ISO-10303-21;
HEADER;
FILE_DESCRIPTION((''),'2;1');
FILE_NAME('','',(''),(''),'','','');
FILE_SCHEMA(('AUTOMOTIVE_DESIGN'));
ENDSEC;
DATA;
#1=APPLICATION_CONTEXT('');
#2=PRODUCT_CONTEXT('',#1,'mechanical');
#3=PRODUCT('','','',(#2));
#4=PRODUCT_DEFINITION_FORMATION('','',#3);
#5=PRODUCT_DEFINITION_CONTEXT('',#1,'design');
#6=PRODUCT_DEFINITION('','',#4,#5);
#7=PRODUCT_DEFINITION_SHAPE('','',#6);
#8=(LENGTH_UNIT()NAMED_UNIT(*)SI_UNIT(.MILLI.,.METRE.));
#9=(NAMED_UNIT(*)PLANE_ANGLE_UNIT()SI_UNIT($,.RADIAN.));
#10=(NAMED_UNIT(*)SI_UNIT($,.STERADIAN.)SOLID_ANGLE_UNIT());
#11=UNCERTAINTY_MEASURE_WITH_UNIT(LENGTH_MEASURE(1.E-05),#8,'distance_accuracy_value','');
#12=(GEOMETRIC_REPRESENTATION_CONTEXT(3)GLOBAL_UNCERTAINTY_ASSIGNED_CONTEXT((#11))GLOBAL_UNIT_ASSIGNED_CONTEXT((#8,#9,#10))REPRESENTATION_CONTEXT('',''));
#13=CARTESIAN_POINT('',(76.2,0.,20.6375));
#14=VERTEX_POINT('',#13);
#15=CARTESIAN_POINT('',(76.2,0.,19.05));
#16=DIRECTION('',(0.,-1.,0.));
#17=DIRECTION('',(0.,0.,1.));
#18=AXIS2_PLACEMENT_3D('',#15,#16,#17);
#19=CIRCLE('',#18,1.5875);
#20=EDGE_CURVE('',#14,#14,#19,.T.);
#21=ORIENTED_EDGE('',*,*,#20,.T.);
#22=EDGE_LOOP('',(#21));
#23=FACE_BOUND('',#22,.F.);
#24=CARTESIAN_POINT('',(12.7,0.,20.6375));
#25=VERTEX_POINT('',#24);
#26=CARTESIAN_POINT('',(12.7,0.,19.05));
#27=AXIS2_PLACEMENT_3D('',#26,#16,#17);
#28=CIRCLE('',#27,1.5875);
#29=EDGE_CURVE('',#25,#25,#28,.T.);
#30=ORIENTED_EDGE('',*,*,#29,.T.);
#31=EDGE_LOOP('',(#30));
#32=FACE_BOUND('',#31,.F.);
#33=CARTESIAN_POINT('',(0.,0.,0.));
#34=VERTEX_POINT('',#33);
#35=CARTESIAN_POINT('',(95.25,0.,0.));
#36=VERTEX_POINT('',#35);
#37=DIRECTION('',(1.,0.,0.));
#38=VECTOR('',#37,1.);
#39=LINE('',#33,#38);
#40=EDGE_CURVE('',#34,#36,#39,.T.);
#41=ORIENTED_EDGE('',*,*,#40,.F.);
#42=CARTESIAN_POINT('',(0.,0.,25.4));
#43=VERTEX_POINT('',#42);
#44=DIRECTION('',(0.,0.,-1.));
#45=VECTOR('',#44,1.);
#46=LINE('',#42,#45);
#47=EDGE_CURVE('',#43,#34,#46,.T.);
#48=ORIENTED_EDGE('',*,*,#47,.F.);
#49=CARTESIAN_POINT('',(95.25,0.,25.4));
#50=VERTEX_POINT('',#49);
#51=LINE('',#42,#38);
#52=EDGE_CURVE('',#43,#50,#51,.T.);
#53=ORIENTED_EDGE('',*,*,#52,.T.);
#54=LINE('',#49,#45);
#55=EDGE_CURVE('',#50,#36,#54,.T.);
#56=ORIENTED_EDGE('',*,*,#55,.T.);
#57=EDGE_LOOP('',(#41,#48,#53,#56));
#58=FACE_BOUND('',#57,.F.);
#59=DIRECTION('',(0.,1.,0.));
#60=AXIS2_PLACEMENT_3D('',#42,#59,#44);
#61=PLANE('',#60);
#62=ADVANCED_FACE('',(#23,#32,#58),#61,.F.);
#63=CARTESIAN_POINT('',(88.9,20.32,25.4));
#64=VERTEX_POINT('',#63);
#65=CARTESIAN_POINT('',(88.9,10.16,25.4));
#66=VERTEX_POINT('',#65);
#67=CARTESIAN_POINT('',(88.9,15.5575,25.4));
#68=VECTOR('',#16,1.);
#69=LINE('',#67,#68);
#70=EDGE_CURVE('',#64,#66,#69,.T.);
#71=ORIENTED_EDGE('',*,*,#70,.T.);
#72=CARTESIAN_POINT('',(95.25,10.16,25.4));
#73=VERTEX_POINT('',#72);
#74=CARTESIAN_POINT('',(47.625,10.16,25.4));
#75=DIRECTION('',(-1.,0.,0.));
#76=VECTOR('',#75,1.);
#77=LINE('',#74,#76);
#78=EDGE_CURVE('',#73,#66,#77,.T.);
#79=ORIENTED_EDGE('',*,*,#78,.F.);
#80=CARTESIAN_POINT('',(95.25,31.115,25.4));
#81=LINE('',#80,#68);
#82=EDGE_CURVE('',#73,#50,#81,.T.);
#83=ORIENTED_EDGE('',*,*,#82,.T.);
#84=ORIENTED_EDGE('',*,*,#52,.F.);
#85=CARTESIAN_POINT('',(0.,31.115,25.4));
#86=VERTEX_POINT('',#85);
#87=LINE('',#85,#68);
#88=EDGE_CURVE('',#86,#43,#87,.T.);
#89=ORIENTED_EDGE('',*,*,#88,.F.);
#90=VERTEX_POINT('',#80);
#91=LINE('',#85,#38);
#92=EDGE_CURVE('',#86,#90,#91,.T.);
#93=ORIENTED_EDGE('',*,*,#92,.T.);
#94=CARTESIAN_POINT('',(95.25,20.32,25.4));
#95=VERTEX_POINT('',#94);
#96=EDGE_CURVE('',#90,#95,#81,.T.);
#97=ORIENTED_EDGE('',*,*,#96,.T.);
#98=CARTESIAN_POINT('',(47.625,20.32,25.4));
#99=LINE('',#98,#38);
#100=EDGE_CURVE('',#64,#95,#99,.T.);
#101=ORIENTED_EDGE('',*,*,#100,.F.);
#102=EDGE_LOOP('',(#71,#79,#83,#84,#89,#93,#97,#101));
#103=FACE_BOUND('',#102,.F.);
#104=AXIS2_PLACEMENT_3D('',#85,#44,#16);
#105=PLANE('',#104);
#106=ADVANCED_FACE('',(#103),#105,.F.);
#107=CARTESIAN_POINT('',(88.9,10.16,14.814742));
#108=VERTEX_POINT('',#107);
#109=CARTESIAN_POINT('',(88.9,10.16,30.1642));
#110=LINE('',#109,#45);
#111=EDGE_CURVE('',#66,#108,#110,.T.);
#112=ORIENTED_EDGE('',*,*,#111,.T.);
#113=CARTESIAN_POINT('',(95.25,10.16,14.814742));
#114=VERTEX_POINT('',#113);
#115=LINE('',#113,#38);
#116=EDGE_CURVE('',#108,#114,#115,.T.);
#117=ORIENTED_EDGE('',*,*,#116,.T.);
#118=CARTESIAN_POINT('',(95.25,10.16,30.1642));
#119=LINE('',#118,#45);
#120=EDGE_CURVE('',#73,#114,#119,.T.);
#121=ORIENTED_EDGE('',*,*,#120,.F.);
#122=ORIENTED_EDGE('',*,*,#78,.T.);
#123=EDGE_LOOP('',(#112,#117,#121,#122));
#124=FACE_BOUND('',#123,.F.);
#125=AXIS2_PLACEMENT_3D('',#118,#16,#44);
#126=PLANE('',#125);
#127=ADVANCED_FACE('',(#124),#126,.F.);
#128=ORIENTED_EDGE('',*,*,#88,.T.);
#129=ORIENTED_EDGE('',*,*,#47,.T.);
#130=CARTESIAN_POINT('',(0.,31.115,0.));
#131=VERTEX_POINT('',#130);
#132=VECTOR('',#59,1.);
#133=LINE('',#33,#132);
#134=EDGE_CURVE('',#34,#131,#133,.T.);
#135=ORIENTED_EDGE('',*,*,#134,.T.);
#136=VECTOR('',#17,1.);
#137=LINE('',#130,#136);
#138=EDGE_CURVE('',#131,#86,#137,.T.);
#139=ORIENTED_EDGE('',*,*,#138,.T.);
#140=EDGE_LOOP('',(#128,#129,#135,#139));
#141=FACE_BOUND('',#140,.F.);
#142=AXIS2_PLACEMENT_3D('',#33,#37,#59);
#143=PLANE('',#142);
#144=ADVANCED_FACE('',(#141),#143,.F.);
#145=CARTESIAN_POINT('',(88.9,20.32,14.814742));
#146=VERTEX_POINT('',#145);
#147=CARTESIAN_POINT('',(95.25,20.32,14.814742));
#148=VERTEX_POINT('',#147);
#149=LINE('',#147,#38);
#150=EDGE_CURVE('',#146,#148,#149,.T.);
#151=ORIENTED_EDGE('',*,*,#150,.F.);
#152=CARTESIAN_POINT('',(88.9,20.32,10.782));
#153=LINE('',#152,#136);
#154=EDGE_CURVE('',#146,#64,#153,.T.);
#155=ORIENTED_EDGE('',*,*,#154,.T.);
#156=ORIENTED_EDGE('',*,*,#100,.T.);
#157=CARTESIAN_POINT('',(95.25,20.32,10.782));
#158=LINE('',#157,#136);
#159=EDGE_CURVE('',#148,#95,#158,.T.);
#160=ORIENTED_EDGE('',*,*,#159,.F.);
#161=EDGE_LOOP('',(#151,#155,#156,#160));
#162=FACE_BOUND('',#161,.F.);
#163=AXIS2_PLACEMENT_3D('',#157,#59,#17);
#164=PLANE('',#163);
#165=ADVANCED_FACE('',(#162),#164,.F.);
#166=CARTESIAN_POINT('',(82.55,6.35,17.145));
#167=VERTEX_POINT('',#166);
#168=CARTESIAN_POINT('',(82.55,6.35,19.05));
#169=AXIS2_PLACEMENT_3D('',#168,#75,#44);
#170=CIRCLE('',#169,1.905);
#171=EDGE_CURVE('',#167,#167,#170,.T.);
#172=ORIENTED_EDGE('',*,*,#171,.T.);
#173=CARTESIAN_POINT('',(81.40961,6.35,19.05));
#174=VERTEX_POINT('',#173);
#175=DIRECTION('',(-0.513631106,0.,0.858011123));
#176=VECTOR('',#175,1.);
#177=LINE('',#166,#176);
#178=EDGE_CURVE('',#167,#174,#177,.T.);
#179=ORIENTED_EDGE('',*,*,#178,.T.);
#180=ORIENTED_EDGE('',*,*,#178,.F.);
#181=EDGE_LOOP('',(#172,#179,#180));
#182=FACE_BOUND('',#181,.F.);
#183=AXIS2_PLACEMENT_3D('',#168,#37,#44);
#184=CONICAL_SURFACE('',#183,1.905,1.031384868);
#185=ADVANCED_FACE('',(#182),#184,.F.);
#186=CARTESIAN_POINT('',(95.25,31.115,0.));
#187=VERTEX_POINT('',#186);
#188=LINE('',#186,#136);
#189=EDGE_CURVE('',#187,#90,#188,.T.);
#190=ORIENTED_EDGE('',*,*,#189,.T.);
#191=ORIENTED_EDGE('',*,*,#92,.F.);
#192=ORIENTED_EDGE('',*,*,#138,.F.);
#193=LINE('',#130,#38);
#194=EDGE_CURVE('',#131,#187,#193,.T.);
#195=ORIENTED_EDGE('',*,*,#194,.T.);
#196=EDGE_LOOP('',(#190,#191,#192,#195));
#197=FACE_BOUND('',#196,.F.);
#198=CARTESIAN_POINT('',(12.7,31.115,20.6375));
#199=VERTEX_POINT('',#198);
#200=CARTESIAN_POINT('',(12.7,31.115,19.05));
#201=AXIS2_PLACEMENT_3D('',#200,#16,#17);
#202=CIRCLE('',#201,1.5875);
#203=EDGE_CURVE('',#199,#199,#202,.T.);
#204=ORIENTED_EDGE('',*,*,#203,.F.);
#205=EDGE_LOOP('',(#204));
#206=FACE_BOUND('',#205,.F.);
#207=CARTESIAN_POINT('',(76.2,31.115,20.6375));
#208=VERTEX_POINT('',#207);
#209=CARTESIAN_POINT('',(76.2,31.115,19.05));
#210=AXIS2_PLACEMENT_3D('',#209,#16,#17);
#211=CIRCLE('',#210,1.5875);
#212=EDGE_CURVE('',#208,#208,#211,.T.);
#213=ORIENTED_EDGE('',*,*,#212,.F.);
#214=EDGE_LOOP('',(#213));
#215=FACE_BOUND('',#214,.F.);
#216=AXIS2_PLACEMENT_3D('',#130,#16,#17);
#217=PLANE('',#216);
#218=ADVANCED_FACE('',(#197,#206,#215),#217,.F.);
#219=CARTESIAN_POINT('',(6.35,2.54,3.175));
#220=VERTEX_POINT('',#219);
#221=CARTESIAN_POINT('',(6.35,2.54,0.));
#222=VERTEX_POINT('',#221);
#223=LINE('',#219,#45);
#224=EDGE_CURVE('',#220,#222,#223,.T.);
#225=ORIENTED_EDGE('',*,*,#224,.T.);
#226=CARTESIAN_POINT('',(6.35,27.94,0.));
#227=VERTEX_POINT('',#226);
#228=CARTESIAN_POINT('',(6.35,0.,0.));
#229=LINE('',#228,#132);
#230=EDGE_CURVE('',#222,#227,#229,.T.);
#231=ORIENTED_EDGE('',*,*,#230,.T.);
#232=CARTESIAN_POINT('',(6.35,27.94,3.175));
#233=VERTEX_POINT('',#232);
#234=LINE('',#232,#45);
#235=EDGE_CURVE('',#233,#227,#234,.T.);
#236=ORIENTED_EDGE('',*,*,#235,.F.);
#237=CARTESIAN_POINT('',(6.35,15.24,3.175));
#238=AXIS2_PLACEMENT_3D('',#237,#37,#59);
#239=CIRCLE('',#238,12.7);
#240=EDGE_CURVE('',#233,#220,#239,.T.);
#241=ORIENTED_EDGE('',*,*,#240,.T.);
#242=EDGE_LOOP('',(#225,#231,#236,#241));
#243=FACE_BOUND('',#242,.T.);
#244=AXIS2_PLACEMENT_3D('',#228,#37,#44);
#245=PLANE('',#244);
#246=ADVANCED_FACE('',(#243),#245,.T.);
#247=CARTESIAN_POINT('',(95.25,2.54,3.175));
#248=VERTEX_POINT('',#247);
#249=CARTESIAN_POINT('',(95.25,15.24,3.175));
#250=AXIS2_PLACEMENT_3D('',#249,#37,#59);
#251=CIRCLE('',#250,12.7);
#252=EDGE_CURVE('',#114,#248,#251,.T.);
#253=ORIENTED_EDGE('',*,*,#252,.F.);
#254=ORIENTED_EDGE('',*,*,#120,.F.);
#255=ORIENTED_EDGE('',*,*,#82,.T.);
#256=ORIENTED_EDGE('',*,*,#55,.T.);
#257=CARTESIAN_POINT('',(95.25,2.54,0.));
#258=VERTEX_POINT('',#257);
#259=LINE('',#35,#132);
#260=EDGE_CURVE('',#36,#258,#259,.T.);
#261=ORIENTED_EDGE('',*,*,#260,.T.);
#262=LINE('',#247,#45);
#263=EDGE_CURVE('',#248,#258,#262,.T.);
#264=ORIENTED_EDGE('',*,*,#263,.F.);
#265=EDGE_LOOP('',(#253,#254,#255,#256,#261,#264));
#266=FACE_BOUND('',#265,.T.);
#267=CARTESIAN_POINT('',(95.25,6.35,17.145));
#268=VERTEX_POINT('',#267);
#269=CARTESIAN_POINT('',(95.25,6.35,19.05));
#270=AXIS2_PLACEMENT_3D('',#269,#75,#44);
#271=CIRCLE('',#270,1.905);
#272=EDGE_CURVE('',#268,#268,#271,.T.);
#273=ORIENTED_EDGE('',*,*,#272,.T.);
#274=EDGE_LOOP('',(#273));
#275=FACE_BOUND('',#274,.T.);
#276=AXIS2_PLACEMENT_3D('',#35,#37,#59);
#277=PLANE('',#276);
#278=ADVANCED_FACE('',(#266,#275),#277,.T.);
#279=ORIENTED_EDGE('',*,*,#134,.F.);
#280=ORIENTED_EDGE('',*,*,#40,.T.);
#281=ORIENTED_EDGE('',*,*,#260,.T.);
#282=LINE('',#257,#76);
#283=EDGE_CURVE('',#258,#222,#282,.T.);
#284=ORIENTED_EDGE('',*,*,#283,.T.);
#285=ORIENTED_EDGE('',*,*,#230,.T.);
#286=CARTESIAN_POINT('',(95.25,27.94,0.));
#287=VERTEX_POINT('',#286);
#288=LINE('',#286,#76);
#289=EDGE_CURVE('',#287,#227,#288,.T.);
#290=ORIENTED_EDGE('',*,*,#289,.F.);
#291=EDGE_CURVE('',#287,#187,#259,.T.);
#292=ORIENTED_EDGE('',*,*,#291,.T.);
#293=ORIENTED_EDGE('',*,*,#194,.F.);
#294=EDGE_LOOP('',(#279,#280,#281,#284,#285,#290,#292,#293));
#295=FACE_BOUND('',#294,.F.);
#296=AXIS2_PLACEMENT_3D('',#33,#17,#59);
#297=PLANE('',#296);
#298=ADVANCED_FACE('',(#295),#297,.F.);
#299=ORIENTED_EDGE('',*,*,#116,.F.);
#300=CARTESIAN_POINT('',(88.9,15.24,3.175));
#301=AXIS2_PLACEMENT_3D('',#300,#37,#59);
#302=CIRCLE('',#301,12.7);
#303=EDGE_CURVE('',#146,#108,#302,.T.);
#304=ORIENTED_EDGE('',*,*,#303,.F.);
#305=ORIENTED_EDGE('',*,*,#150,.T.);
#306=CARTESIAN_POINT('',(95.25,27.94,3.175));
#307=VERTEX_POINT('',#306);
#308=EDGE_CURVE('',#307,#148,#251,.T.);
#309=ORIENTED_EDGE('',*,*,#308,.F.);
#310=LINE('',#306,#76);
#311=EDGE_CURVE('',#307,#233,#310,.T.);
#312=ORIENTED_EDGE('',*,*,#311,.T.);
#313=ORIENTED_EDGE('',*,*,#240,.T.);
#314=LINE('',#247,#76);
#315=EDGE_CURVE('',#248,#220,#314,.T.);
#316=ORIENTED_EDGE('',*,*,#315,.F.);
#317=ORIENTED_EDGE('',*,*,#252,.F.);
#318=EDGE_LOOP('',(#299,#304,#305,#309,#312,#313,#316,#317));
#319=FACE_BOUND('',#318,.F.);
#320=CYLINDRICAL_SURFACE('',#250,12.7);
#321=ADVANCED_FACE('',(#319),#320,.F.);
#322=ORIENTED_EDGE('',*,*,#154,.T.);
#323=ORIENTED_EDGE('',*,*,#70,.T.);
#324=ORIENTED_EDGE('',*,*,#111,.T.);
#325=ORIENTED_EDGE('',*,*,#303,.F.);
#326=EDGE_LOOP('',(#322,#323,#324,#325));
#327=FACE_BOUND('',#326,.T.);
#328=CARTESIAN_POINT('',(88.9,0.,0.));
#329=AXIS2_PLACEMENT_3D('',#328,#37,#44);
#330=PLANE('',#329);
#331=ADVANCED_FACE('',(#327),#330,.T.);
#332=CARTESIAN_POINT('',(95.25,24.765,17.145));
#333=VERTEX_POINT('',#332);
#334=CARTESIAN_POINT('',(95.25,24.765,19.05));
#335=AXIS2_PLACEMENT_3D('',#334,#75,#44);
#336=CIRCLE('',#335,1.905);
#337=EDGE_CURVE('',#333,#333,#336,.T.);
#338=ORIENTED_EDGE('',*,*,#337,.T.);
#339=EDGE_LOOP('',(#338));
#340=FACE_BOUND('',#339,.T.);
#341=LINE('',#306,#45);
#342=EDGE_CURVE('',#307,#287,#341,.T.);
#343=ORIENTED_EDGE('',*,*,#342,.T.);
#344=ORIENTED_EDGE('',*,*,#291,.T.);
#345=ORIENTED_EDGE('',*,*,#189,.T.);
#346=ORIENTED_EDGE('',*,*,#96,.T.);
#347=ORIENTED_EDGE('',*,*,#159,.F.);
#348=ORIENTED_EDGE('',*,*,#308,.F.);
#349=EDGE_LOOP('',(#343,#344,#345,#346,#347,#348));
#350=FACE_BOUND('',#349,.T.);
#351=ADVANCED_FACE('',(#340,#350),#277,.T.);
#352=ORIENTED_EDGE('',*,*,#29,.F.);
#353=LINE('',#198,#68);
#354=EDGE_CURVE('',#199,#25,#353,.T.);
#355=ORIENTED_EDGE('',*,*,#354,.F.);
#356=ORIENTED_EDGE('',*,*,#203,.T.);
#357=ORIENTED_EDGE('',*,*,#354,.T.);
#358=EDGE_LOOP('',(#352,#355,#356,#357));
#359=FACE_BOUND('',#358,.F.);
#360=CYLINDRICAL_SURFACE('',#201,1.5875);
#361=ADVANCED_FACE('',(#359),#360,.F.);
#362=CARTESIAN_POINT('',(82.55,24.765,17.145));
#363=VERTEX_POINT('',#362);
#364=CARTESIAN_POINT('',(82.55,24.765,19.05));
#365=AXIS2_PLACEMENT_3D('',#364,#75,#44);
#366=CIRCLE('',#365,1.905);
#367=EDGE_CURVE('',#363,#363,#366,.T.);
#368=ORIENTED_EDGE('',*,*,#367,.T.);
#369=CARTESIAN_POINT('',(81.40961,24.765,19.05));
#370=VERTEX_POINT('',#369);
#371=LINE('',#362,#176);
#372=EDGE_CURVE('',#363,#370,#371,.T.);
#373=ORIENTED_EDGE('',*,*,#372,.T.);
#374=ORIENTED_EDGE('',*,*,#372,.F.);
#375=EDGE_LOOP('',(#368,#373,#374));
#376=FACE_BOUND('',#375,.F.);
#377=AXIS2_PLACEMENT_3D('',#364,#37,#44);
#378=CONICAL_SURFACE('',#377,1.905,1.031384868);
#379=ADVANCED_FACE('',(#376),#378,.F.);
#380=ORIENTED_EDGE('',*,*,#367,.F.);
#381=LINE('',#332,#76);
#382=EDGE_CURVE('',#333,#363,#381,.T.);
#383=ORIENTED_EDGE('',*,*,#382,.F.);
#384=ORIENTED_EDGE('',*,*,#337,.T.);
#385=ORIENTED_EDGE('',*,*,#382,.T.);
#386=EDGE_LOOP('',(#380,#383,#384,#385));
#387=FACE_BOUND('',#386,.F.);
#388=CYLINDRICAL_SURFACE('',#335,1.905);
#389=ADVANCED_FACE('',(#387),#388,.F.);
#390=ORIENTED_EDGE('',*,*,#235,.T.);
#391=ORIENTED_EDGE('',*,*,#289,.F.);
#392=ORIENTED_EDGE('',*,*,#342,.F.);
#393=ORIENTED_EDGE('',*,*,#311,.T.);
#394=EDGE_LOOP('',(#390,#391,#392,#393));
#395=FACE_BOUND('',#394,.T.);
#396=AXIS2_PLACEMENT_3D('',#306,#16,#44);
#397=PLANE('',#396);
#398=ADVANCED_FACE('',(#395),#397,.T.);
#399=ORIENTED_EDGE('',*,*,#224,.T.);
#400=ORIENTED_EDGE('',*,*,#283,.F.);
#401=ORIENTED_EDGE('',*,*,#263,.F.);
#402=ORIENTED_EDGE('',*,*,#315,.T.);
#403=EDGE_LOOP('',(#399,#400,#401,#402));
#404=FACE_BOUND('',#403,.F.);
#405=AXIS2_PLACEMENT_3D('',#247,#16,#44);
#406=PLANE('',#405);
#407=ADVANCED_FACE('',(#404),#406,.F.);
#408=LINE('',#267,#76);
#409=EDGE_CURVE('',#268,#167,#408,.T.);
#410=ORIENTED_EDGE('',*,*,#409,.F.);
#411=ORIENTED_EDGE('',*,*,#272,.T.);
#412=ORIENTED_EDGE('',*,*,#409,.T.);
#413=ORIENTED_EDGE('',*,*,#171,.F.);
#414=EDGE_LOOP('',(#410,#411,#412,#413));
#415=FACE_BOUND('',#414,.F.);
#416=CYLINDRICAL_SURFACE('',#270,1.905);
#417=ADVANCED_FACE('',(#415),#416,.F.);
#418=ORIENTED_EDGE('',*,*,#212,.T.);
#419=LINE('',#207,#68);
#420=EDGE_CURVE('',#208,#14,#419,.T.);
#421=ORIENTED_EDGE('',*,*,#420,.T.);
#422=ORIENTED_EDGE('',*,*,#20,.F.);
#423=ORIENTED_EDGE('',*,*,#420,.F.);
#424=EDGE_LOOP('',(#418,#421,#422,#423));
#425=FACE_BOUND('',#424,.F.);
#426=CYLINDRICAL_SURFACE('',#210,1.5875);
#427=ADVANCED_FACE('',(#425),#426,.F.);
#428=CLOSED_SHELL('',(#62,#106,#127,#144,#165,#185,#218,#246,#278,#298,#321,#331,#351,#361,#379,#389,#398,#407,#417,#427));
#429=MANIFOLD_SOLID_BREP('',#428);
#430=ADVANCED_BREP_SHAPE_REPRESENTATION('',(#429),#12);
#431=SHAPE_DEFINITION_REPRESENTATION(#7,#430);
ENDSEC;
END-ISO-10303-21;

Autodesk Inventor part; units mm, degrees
ref_plane "YZ Plane" through (0, 0, 0) normal (1, 0, 0) x (0, 1, 0)
ref_plane "XZ Plane" through (0, 0, 0) normal (0, 1, 0) x (-1, 0, 0)
ref_plane "XY Plane" through (0, 0, 0) normal (0, 0, 1) x (1, 0, 0)
sketch "Sketch1" plane through (0, 0, 0) normal (1, 0, 0) x (0, 1, 0)
  line L0 (0, 0) -> (31.115, 0)
  line L1 (31.115, 0) -> (31.115, 25.4)
  line L2 (31.115, 25.4) -> (0, 25.4)
  line L3 (0, 25.4) -> (0, 0)
  dimension "d0" = 25.4
  dimension "d1" = 31.115
extrude "Extrusion1" add sketch "Sketch1" along normal blind 95.25
sketch "Sketch2" plane through (95.25, 0, 0) normal (1, 0, 0) x (0, 0, -1)
  arc A0 (-3.175, 27.94) -> (-3.175, 2.54) centre (-3.175, 15.24) ccw
  line L0 (0, 0) -> (0, 31.115) projected
  line L1 (-25.4, 0) -> (0, 0) projected
  line L2 (-3.175, 27.94) -> (0, 27.94)
  line L3 (-3.175, 2.54) -> (0, 2.54)
  dimension "d4" = 3.175
  dimension "d5" = 15.24
  dimension "d6" = 25.4
extrude "Extrusion2" cut sketch "Sketch2" against normal blind 88.9
sketch "Sketch3" plane through (0, 31.115, 25.4) normal (0, 1, 0) x (1, 0, 0)
  line L0 (0, 25.4) -> (0, 0) projected
  line L1 (95.25, 25.4) -> (95.25, 0) projected
  line L2 (0, 0) -> (95.25, 0) projected
  point P0 (12.7, 6.35)
  point P1 (76.2, 6.35)
  dimension "d9" = 0
  dimension "d10" = 12.7
  dimension "d12" = 6.35
  dimension "d35" = 76.2
hole "Hole1" at (12.7, 31.115, 19.05) at (76.2, 31.115, 19.05) direction (0, -1, 0) diameter 3.175 end through all
sketch "Sketch4" plane through (95.25, 0, 0) normal (1, 0, 0) x (0, 0, -1)
  line L0 (-10.782, 20.32) -> (-30.1642, 20.32)
  line L1 (-30.1642, 20.32) -> (-30.1642, 10.16)
  line L2 (-30.1642, 10.16) -> (-10.782, 10.16)
  line L3 (-10.782, 10.16) -> (-10.782, 20.32)
  line L4 (-25.4, 0) -> (0, 0) projected
  dimension "d20" = 10.16
  dimension "d21" = 10.16
extrude "Extrusion3" cut sketch "Sketch4" against normal blind 6.35
sketch "Sketch5" plane through (95.25, 0, 0) normal (1, 0, 0) x (0, 0, -1)
  line L0 (-25.4, 10.16) -> (-25.4, 0) projected
  line L1 (-25.4, 0) -> (0, 0) projected
  line L2 (-25.4, 31.115) -> (-25.4, 20.32) projected
  line L3 (0, 31.115) -> (-25.4, 31.115) projected
  point P0 (-19.05, 24.765)
  point P1 (-19.05, 6.35)
  dimension "d24" = 6.35
  dimension "d25" = 6.35
  dimension "d26" = 6.35
  dimension "d27" = 6.35
hole "Hole2" at (95.25, 24.765, 19.05) at (95.25, 6.35, 19.05) direction (-1, 0, 0) diameter 3.81 depth 12.7 tip angle 118.188
properties part number "bATTERYrAILS"
